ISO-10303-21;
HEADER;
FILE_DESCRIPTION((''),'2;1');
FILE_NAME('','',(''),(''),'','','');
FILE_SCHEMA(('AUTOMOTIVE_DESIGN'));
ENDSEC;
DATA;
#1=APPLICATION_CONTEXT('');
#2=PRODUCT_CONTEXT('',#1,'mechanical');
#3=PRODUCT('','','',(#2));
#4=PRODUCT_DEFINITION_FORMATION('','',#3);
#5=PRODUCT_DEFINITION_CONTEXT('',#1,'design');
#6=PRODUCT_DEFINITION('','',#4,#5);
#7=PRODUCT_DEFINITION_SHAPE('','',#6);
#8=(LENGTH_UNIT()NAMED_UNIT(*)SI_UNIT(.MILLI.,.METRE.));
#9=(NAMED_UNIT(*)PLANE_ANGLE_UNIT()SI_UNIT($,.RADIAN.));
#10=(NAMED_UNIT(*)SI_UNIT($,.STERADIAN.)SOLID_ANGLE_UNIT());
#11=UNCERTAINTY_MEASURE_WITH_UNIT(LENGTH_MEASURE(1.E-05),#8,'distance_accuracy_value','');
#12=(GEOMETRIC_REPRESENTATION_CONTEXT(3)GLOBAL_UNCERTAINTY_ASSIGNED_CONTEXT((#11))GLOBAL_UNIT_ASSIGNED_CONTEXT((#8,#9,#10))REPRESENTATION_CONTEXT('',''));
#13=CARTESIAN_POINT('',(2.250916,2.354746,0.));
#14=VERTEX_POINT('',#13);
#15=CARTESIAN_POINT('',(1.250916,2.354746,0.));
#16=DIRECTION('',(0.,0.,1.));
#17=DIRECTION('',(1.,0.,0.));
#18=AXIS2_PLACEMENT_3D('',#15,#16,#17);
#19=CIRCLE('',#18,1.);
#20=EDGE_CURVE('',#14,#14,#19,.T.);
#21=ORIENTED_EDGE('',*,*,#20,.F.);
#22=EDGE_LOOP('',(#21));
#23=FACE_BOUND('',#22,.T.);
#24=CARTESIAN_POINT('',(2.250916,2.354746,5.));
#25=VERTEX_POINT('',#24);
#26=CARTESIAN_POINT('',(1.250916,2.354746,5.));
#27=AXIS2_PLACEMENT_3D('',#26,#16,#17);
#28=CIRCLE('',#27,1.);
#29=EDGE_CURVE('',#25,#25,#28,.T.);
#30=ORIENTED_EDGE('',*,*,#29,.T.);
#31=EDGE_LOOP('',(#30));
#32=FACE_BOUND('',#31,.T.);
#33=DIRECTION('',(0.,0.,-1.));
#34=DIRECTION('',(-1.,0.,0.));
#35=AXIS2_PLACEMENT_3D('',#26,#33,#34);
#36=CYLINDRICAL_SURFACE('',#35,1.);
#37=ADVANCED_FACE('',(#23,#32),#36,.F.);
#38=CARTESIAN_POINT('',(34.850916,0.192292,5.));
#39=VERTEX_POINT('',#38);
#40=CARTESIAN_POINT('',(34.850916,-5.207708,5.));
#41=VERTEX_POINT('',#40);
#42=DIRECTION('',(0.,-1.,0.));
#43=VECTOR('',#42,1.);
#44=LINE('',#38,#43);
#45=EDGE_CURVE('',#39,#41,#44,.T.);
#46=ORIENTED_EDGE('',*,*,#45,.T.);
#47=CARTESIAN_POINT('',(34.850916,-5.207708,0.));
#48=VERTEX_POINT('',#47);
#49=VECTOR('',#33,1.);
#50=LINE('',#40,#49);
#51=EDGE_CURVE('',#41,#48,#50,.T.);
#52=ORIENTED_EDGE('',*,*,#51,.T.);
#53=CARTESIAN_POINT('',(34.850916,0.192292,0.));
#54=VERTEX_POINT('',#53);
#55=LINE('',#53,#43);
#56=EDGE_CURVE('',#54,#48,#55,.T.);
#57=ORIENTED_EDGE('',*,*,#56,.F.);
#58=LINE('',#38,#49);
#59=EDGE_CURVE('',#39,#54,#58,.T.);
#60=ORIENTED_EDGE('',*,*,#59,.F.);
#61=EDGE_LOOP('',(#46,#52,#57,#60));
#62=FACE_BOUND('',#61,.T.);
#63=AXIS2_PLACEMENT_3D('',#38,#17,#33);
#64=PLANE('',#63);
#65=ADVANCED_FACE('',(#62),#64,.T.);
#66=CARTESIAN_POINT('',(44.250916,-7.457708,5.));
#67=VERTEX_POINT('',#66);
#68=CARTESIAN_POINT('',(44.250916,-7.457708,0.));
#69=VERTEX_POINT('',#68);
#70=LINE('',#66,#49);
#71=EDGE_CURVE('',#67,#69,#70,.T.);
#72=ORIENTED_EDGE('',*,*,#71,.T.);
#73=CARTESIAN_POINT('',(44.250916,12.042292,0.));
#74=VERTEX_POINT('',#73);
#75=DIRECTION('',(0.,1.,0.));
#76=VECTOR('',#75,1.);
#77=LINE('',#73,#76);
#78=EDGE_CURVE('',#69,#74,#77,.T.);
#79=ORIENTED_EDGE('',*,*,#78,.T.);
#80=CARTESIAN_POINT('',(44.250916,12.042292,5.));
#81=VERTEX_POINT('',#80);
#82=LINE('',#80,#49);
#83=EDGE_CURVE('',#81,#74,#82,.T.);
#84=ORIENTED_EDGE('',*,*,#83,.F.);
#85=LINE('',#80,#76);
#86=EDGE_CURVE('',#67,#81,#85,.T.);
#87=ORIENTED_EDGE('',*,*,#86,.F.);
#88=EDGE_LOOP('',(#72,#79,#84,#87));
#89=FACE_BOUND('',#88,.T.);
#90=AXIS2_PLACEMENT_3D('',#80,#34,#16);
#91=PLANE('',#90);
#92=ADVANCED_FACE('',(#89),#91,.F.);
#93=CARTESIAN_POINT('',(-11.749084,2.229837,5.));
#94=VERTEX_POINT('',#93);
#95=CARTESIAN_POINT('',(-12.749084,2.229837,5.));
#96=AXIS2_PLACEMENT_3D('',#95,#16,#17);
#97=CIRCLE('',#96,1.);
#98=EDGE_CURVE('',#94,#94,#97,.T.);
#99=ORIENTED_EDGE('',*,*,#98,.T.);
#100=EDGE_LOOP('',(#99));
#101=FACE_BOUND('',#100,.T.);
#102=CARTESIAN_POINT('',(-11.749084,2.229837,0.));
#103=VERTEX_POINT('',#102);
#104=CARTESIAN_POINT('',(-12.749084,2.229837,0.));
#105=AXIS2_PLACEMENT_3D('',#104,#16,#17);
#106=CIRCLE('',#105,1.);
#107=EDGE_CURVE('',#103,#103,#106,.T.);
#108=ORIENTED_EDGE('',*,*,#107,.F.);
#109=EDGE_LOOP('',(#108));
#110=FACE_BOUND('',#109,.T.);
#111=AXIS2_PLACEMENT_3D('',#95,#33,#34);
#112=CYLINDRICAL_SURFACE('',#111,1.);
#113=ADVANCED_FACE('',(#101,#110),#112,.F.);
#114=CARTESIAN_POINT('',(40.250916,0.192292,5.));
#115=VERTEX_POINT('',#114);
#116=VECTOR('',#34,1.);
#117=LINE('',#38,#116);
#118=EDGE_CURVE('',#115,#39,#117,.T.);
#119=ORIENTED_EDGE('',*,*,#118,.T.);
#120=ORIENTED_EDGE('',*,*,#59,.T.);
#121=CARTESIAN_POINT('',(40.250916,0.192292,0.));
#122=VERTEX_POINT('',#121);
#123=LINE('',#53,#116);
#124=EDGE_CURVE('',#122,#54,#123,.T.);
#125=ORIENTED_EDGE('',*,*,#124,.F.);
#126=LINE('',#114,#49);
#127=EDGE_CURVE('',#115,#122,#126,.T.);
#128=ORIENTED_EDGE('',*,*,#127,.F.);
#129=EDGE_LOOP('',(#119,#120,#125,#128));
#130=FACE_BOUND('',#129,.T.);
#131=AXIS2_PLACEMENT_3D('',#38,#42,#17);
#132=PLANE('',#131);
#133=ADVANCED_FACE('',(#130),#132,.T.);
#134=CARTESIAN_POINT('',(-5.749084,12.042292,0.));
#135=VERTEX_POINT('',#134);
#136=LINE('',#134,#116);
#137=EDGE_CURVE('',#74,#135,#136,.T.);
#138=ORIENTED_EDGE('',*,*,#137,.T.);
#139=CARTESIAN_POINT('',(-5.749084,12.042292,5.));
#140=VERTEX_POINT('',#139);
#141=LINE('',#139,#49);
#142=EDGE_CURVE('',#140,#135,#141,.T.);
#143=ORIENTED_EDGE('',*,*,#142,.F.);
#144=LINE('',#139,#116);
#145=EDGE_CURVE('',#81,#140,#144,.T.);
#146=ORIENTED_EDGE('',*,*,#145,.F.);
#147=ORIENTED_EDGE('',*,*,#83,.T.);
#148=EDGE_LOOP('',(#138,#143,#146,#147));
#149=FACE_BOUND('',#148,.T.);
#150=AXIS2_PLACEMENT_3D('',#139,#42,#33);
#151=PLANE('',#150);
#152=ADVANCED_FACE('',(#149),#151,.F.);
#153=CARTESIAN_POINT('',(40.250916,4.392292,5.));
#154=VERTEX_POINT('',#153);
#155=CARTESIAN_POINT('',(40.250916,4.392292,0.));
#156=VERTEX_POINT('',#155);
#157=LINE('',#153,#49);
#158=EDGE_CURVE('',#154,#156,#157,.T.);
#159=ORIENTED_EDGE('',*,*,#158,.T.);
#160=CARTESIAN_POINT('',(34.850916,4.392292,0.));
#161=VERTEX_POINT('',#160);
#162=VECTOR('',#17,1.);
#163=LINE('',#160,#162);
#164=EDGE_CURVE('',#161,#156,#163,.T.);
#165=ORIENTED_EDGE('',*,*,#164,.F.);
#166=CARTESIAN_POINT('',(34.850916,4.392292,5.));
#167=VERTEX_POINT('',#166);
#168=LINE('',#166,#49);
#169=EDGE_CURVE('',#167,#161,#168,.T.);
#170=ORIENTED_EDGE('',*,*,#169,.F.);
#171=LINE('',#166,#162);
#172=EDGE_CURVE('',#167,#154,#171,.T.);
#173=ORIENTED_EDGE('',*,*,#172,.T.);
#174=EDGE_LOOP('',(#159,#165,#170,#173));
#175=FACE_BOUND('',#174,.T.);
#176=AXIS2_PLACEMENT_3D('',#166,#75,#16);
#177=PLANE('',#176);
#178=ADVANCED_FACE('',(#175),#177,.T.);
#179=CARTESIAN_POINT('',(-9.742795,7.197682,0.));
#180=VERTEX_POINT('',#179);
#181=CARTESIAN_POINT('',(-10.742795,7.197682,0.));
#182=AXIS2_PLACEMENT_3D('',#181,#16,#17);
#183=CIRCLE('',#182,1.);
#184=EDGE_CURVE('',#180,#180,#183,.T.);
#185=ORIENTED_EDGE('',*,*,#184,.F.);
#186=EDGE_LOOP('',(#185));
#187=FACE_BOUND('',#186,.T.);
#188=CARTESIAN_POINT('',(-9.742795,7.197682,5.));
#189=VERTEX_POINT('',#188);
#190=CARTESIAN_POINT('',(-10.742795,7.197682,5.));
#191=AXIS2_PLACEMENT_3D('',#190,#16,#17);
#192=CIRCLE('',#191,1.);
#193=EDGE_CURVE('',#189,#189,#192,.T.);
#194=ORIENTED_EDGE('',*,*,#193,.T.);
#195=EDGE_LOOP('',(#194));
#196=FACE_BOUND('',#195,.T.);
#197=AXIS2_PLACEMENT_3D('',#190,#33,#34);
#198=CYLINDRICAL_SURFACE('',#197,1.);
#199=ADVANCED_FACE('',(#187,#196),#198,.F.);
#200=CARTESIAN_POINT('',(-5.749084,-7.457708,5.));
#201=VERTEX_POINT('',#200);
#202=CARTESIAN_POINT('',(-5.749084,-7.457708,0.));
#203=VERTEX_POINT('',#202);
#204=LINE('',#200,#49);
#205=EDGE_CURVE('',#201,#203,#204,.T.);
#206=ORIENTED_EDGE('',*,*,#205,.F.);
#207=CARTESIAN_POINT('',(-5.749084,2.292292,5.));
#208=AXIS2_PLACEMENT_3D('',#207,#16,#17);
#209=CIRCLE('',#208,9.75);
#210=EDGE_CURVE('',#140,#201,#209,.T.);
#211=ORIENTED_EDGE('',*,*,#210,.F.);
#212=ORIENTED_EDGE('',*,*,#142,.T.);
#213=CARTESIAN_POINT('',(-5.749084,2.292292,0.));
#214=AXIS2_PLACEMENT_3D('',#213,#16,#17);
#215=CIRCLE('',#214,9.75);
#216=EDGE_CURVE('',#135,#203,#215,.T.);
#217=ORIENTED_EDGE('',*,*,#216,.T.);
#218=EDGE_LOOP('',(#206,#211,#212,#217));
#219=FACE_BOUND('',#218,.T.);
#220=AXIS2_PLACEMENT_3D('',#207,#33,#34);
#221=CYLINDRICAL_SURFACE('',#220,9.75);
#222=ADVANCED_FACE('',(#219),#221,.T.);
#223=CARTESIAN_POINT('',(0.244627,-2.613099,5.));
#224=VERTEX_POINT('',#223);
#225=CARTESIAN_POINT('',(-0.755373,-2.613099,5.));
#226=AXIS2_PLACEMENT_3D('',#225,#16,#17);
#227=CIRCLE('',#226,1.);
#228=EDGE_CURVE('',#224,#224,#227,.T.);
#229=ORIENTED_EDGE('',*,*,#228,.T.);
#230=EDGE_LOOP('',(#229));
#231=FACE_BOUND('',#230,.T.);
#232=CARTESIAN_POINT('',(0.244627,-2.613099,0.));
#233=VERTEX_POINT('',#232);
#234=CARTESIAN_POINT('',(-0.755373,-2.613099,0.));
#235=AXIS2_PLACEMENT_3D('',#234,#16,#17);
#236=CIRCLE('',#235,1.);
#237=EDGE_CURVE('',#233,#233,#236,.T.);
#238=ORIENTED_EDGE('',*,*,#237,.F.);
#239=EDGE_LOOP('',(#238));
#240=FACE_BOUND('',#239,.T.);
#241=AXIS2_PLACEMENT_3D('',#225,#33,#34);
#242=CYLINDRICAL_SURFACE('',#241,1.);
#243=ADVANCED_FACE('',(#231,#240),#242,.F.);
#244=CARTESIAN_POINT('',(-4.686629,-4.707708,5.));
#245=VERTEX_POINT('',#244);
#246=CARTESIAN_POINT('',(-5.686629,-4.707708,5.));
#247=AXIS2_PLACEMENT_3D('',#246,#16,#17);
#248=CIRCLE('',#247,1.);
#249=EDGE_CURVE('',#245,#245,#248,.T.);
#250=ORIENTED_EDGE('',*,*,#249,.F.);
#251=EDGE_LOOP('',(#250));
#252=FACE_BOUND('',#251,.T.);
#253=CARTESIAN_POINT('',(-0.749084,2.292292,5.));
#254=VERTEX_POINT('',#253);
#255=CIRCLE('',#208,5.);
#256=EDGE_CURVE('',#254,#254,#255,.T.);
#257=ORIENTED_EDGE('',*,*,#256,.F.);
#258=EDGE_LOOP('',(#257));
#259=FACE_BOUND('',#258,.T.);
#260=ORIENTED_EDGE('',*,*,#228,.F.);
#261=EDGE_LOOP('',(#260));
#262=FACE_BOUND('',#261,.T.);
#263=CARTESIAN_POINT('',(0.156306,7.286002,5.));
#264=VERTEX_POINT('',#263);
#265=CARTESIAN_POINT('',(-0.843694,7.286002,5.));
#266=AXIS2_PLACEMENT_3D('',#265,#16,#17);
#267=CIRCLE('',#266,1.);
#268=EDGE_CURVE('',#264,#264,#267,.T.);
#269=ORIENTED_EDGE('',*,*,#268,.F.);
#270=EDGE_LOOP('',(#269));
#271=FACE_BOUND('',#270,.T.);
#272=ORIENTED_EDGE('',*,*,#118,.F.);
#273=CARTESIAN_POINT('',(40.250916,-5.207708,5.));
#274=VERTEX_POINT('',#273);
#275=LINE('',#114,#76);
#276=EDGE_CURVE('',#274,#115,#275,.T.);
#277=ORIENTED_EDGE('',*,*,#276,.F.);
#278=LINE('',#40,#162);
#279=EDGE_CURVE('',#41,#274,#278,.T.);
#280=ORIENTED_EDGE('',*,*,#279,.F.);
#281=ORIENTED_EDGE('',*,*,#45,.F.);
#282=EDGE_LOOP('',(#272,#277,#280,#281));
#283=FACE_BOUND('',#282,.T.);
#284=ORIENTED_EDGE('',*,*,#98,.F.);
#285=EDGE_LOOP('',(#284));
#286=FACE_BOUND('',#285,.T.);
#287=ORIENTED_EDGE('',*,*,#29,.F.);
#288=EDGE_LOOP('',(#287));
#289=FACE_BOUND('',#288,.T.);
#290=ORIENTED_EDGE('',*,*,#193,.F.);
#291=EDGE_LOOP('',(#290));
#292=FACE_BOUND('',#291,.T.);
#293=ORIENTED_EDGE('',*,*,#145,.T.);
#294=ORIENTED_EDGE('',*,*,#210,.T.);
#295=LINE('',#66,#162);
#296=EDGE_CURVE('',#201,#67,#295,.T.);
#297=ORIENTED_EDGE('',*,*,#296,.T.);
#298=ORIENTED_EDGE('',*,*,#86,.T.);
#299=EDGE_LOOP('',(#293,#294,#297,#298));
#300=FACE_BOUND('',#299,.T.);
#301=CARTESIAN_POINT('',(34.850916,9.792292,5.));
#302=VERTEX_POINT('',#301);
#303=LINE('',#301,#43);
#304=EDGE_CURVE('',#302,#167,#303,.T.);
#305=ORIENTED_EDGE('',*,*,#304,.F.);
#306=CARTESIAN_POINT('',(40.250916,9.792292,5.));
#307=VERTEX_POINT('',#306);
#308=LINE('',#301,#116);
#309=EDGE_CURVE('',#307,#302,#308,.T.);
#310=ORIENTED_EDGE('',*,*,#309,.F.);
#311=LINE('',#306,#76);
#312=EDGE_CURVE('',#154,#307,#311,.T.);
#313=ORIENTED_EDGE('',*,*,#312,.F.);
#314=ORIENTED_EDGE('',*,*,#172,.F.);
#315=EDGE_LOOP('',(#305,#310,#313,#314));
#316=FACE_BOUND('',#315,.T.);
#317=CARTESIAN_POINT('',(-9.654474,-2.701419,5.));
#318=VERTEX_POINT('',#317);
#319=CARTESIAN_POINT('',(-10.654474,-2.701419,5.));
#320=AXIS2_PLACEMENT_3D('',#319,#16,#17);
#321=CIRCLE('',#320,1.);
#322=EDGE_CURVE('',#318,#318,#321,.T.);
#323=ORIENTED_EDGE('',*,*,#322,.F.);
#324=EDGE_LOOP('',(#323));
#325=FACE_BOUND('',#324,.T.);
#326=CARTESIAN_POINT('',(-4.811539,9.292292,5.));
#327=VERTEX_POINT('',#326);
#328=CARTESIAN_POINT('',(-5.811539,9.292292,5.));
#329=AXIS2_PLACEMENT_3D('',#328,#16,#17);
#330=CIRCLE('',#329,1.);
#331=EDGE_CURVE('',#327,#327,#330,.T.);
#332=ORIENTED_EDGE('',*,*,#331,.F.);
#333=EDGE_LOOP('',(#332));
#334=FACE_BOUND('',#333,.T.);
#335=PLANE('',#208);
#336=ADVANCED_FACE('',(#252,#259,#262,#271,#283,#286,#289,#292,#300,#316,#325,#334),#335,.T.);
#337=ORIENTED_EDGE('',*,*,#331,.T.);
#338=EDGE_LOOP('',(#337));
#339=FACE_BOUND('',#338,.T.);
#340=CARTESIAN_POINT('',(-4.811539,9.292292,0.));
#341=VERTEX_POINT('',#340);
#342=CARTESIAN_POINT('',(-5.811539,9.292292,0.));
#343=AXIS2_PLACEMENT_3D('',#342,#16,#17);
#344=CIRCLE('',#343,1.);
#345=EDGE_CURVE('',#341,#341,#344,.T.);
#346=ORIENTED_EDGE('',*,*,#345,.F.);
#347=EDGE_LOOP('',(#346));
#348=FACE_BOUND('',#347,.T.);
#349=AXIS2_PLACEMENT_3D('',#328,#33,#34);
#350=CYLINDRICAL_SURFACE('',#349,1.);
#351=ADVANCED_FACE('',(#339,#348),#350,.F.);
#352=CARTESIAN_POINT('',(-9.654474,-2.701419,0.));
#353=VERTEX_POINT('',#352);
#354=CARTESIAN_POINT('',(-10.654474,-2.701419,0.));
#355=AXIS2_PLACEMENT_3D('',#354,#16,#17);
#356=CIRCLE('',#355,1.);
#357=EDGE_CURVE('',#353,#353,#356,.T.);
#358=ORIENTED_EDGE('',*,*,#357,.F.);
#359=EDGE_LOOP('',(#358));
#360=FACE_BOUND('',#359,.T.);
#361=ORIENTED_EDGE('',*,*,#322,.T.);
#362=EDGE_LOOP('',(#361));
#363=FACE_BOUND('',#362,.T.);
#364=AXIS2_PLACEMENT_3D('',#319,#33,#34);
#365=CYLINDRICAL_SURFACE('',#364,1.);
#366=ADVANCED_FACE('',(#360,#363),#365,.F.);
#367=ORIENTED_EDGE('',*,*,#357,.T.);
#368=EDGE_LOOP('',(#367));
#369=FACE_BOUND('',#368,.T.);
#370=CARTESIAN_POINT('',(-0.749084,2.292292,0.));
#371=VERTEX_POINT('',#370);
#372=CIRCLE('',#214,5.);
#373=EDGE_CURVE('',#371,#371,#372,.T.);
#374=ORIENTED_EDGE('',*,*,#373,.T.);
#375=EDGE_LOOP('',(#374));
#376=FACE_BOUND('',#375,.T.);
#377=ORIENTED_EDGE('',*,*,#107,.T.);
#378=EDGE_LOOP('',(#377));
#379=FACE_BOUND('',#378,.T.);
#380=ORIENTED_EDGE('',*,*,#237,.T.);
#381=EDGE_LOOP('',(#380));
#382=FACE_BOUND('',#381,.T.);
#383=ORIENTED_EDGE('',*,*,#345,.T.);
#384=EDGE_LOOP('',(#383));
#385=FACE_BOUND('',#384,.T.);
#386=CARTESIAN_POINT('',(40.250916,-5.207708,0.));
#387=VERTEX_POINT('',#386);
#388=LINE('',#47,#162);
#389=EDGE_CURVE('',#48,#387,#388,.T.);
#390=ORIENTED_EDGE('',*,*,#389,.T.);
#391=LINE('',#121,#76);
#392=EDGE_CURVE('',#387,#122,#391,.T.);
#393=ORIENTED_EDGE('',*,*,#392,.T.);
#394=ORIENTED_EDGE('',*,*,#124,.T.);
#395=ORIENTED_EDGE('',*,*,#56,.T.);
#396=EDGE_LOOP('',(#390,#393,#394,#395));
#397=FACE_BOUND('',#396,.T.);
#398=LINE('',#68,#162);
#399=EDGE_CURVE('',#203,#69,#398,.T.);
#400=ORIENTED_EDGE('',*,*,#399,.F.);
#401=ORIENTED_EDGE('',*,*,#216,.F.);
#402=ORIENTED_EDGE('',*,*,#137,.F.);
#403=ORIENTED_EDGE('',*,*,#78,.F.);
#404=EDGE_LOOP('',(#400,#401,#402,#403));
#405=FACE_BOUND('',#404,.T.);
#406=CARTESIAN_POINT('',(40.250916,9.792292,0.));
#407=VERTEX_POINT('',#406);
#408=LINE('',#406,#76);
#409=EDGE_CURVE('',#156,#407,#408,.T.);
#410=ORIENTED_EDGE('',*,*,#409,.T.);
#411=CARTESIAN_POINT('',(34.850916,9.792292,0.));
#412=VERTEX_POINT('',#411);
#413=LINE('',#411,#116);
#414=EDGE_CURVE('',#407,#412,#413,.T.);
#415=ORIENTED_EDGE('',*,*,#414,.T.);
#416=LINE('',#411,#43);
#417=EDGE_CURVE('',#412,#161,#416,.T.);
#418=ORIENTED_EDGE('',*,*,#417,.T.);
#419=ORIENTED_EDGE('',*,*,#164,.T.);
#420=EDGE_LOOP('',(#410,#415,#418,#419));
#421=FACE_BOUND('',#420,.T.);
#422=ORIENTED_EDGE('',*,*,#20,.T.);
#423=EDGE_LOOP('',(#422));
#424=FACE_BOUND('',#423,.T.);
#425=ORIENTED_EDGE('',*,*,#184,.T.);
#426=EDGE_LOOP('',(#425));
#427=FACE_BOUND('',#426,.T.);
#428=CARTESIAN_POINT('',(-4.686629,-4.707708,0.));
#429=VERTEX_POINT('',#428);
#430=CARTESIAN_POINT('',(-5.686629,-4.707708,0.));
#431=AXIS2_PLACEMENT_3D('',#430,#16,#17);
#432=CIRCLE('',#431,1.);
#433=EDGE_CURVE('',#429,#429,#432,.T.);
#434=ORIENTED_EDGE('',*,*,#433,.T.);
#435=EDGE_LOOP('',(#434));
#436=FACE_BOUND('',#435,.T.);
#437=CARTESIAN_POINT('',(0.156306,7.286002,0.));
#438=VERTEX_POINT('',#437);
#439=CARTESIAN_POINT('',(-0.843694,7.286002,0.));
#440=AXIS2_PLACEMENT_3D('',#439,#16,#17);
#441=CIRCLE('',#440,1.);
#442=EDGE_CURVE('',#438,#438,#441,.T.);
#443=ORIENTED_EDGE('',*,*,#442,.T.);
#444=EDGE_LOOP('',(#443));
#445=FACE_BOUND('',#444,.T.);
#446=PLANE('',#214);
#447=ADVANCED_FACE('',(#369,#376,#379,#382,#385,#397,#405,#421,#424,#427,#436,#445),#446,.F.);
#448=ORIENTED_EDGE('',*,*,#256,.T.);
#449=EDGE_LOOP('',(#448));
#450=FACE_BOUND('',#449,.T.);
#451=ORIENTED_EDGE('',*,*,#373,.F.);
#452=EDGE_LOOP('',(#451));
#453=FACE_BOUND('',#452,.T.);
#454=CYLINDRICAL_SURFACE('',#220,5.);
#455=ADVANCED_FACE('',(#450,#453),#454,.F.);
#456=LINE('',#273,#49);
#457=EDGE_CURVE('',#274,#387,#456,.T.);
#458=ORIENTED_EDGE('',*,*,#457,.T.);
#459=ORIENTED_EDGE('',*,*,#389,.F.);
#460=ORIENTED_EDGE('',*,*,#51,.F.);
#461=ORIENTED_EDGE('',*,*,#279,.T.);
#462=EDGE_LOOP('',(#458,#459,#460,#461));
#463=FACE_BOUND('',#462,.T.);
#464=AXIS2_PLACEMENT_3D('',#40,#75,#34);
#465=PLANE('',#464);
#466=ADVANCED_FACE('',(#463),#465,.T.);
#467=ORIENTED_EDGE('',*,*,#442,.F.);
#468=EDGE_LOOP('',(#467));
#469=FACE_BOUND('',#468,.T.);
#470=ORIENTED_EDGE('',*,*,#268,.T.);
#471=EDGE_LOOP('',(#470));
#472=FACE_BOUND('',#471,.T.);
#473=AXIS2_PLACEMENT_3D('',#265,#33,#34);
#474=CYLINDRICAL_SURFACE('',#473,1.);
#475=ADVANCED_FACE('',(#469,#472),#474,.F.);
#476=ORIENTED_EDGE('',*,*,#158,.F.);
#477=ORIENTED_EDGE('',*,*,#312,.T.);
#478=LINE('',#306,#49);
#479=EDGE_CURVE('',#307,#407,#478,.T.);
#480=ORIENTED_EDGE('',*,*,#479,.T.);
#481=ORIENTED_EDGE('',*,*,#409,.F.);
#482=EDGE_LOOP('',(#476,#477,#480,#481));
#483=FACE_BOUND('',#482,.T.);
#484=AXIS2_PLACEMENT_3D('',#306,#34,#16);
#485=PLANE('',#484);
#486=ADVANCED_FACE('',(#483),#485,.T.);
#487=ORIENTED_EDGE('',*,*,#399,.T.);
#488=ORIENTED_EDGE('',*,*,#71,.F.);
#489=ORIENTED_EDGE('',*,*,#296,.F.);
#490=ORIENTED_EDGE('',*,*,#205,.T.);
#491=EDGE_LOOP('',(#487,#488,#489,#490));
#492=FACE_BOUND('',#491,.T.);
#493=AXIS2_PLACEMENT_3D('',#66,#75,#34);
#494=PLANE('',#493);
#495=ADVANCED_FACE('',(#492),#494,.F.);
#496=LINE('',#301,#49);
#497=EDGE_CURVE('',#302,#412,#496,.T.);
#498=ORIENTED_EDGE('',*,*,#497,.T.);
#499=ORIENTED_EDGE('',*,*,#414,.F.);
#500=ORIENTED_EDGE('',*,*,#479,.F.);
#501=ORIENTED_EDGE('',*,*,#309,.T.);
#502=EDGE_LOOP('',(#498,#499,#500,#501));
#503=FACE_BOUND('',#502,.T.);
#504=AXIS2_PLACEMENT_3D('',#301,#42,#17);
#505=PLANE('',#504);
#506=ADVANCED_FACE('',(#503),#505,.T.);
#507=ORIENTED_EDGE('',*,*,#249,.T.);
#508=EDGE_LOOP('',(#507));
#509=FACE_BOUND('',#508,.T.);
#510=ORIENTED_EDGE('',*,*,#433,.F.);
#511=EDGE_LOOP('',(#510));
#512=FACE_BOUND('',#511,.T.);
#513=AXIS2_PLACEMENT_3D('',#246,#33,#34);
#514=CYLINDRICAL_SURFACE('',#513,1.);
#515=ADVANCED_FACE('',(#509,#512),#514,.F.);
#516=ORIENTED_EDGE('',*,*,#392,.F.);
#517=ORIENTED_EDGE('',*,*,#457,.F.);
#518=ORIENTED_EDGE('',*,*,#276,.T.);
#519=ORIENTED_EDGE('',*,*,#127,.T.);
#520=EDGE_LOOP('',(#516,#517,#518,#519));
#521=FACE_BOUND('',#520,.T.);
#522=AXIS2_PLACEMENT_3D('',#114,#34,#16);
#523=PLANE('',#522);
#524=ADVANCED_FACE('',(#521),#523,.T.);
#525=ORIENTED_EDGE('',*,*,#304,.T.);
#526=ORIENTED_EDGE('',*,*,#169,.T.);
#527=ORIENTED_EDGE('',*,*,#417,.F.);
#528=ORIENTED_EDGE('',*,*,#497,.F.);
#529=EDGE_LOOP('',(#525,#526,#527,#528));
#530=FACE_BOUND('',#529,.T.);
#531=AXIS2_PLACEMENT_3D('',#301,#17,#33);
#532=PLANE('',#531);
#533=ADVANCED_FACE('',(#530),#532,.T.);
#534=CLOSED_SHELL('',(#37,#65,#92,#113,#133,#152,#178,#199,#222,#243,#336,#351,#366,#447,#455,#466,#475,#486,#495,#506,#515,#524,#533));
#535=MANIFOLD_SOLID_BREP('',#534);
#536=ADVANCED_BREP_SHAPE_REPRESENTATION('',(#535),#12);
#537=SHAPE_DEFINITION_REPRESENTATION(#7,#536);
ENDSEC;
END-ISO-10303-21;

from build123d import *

# Parameters (mm, degrees)
SKETCH2_R           = 1
SKETCH2_R_2         = 5
SKETCH2_W           = 5.4
SKETCH2_H           = 5.4
BOSS_EXTRUDE1_DEPTH = 5


with BuildPart() as part:
    # Sketch2 → Boss-Extrude1 (new body)
    with BuildSketch(Plane.XY):
        with BuildLine():
            Line((-5.74908406, 12.042291654), (44.25091594, 12.042291654))
            Line((44.25091594, 12.042291654), (44.25091594, -7.457708346))
            Line((44.25091594, -7.457708346), (-5.74908406, -7.457708346))
            ThreePointArc((-5.74908406, -7.457708346), (-15.49908406, 2.292291654), (-5.74908406, 12.042291654))
        make_face()
        with Locations((-5.811538636, 9.292291654)):
            Circle(SKETCH2_R, mode=Mode.SUBTRACT)
        with Locations((-10.742794828, 7.197681829)):
            Circle(SKETCH2_R, mode=Mode.SUBTRACT)
        with Locations((-12.74908406, 2.229837079)):
            Circle(SKETCH2_R, mode=Mode.SUBTRACT)
        with Locations((-0.843693885, 7.286002421)):
            Circle(SKETCH2_R, mode=Mode.SUBTRACT)
        with Locations((1.25091594, 2.354746229)):
            Circle(SKETCH2_R, mode=Mode.SUBTRACT)
        with Locations((-0.755373293, -2.613098521)):
            Circle(SKETCH2_R, mode=Mode.SUBTRACT)
        with Locations((-5.686629485, -4.707708346)):
            Circle(SKETCH2_R, mode=Mode.SUBTRACT)
        with Locations((-10.654474236, -2.701419114)):
            Circle(SKETCH2_R, mode=Mode.SUBTRACT)
        with Locations((-5.74908406, 2.292291654)):
            Circle(SKETCH2_R_2, mode=Mode.SUBTRACT)
        with Locations((37.55091594, 7.092291654)):
            Rectangle(SKETCH2_W, SKETCH2_H, mode=Mode.SUBTRACT)
        with Locations((37.55091594, -2.507708346)):
            Rectangle(SKETCH2_W, SKETCH2_H, mode=Mode.SUBTRACT)
    extrude(amount=BOSS_EXTRUDE1_DEPTH)


solid = part.part
